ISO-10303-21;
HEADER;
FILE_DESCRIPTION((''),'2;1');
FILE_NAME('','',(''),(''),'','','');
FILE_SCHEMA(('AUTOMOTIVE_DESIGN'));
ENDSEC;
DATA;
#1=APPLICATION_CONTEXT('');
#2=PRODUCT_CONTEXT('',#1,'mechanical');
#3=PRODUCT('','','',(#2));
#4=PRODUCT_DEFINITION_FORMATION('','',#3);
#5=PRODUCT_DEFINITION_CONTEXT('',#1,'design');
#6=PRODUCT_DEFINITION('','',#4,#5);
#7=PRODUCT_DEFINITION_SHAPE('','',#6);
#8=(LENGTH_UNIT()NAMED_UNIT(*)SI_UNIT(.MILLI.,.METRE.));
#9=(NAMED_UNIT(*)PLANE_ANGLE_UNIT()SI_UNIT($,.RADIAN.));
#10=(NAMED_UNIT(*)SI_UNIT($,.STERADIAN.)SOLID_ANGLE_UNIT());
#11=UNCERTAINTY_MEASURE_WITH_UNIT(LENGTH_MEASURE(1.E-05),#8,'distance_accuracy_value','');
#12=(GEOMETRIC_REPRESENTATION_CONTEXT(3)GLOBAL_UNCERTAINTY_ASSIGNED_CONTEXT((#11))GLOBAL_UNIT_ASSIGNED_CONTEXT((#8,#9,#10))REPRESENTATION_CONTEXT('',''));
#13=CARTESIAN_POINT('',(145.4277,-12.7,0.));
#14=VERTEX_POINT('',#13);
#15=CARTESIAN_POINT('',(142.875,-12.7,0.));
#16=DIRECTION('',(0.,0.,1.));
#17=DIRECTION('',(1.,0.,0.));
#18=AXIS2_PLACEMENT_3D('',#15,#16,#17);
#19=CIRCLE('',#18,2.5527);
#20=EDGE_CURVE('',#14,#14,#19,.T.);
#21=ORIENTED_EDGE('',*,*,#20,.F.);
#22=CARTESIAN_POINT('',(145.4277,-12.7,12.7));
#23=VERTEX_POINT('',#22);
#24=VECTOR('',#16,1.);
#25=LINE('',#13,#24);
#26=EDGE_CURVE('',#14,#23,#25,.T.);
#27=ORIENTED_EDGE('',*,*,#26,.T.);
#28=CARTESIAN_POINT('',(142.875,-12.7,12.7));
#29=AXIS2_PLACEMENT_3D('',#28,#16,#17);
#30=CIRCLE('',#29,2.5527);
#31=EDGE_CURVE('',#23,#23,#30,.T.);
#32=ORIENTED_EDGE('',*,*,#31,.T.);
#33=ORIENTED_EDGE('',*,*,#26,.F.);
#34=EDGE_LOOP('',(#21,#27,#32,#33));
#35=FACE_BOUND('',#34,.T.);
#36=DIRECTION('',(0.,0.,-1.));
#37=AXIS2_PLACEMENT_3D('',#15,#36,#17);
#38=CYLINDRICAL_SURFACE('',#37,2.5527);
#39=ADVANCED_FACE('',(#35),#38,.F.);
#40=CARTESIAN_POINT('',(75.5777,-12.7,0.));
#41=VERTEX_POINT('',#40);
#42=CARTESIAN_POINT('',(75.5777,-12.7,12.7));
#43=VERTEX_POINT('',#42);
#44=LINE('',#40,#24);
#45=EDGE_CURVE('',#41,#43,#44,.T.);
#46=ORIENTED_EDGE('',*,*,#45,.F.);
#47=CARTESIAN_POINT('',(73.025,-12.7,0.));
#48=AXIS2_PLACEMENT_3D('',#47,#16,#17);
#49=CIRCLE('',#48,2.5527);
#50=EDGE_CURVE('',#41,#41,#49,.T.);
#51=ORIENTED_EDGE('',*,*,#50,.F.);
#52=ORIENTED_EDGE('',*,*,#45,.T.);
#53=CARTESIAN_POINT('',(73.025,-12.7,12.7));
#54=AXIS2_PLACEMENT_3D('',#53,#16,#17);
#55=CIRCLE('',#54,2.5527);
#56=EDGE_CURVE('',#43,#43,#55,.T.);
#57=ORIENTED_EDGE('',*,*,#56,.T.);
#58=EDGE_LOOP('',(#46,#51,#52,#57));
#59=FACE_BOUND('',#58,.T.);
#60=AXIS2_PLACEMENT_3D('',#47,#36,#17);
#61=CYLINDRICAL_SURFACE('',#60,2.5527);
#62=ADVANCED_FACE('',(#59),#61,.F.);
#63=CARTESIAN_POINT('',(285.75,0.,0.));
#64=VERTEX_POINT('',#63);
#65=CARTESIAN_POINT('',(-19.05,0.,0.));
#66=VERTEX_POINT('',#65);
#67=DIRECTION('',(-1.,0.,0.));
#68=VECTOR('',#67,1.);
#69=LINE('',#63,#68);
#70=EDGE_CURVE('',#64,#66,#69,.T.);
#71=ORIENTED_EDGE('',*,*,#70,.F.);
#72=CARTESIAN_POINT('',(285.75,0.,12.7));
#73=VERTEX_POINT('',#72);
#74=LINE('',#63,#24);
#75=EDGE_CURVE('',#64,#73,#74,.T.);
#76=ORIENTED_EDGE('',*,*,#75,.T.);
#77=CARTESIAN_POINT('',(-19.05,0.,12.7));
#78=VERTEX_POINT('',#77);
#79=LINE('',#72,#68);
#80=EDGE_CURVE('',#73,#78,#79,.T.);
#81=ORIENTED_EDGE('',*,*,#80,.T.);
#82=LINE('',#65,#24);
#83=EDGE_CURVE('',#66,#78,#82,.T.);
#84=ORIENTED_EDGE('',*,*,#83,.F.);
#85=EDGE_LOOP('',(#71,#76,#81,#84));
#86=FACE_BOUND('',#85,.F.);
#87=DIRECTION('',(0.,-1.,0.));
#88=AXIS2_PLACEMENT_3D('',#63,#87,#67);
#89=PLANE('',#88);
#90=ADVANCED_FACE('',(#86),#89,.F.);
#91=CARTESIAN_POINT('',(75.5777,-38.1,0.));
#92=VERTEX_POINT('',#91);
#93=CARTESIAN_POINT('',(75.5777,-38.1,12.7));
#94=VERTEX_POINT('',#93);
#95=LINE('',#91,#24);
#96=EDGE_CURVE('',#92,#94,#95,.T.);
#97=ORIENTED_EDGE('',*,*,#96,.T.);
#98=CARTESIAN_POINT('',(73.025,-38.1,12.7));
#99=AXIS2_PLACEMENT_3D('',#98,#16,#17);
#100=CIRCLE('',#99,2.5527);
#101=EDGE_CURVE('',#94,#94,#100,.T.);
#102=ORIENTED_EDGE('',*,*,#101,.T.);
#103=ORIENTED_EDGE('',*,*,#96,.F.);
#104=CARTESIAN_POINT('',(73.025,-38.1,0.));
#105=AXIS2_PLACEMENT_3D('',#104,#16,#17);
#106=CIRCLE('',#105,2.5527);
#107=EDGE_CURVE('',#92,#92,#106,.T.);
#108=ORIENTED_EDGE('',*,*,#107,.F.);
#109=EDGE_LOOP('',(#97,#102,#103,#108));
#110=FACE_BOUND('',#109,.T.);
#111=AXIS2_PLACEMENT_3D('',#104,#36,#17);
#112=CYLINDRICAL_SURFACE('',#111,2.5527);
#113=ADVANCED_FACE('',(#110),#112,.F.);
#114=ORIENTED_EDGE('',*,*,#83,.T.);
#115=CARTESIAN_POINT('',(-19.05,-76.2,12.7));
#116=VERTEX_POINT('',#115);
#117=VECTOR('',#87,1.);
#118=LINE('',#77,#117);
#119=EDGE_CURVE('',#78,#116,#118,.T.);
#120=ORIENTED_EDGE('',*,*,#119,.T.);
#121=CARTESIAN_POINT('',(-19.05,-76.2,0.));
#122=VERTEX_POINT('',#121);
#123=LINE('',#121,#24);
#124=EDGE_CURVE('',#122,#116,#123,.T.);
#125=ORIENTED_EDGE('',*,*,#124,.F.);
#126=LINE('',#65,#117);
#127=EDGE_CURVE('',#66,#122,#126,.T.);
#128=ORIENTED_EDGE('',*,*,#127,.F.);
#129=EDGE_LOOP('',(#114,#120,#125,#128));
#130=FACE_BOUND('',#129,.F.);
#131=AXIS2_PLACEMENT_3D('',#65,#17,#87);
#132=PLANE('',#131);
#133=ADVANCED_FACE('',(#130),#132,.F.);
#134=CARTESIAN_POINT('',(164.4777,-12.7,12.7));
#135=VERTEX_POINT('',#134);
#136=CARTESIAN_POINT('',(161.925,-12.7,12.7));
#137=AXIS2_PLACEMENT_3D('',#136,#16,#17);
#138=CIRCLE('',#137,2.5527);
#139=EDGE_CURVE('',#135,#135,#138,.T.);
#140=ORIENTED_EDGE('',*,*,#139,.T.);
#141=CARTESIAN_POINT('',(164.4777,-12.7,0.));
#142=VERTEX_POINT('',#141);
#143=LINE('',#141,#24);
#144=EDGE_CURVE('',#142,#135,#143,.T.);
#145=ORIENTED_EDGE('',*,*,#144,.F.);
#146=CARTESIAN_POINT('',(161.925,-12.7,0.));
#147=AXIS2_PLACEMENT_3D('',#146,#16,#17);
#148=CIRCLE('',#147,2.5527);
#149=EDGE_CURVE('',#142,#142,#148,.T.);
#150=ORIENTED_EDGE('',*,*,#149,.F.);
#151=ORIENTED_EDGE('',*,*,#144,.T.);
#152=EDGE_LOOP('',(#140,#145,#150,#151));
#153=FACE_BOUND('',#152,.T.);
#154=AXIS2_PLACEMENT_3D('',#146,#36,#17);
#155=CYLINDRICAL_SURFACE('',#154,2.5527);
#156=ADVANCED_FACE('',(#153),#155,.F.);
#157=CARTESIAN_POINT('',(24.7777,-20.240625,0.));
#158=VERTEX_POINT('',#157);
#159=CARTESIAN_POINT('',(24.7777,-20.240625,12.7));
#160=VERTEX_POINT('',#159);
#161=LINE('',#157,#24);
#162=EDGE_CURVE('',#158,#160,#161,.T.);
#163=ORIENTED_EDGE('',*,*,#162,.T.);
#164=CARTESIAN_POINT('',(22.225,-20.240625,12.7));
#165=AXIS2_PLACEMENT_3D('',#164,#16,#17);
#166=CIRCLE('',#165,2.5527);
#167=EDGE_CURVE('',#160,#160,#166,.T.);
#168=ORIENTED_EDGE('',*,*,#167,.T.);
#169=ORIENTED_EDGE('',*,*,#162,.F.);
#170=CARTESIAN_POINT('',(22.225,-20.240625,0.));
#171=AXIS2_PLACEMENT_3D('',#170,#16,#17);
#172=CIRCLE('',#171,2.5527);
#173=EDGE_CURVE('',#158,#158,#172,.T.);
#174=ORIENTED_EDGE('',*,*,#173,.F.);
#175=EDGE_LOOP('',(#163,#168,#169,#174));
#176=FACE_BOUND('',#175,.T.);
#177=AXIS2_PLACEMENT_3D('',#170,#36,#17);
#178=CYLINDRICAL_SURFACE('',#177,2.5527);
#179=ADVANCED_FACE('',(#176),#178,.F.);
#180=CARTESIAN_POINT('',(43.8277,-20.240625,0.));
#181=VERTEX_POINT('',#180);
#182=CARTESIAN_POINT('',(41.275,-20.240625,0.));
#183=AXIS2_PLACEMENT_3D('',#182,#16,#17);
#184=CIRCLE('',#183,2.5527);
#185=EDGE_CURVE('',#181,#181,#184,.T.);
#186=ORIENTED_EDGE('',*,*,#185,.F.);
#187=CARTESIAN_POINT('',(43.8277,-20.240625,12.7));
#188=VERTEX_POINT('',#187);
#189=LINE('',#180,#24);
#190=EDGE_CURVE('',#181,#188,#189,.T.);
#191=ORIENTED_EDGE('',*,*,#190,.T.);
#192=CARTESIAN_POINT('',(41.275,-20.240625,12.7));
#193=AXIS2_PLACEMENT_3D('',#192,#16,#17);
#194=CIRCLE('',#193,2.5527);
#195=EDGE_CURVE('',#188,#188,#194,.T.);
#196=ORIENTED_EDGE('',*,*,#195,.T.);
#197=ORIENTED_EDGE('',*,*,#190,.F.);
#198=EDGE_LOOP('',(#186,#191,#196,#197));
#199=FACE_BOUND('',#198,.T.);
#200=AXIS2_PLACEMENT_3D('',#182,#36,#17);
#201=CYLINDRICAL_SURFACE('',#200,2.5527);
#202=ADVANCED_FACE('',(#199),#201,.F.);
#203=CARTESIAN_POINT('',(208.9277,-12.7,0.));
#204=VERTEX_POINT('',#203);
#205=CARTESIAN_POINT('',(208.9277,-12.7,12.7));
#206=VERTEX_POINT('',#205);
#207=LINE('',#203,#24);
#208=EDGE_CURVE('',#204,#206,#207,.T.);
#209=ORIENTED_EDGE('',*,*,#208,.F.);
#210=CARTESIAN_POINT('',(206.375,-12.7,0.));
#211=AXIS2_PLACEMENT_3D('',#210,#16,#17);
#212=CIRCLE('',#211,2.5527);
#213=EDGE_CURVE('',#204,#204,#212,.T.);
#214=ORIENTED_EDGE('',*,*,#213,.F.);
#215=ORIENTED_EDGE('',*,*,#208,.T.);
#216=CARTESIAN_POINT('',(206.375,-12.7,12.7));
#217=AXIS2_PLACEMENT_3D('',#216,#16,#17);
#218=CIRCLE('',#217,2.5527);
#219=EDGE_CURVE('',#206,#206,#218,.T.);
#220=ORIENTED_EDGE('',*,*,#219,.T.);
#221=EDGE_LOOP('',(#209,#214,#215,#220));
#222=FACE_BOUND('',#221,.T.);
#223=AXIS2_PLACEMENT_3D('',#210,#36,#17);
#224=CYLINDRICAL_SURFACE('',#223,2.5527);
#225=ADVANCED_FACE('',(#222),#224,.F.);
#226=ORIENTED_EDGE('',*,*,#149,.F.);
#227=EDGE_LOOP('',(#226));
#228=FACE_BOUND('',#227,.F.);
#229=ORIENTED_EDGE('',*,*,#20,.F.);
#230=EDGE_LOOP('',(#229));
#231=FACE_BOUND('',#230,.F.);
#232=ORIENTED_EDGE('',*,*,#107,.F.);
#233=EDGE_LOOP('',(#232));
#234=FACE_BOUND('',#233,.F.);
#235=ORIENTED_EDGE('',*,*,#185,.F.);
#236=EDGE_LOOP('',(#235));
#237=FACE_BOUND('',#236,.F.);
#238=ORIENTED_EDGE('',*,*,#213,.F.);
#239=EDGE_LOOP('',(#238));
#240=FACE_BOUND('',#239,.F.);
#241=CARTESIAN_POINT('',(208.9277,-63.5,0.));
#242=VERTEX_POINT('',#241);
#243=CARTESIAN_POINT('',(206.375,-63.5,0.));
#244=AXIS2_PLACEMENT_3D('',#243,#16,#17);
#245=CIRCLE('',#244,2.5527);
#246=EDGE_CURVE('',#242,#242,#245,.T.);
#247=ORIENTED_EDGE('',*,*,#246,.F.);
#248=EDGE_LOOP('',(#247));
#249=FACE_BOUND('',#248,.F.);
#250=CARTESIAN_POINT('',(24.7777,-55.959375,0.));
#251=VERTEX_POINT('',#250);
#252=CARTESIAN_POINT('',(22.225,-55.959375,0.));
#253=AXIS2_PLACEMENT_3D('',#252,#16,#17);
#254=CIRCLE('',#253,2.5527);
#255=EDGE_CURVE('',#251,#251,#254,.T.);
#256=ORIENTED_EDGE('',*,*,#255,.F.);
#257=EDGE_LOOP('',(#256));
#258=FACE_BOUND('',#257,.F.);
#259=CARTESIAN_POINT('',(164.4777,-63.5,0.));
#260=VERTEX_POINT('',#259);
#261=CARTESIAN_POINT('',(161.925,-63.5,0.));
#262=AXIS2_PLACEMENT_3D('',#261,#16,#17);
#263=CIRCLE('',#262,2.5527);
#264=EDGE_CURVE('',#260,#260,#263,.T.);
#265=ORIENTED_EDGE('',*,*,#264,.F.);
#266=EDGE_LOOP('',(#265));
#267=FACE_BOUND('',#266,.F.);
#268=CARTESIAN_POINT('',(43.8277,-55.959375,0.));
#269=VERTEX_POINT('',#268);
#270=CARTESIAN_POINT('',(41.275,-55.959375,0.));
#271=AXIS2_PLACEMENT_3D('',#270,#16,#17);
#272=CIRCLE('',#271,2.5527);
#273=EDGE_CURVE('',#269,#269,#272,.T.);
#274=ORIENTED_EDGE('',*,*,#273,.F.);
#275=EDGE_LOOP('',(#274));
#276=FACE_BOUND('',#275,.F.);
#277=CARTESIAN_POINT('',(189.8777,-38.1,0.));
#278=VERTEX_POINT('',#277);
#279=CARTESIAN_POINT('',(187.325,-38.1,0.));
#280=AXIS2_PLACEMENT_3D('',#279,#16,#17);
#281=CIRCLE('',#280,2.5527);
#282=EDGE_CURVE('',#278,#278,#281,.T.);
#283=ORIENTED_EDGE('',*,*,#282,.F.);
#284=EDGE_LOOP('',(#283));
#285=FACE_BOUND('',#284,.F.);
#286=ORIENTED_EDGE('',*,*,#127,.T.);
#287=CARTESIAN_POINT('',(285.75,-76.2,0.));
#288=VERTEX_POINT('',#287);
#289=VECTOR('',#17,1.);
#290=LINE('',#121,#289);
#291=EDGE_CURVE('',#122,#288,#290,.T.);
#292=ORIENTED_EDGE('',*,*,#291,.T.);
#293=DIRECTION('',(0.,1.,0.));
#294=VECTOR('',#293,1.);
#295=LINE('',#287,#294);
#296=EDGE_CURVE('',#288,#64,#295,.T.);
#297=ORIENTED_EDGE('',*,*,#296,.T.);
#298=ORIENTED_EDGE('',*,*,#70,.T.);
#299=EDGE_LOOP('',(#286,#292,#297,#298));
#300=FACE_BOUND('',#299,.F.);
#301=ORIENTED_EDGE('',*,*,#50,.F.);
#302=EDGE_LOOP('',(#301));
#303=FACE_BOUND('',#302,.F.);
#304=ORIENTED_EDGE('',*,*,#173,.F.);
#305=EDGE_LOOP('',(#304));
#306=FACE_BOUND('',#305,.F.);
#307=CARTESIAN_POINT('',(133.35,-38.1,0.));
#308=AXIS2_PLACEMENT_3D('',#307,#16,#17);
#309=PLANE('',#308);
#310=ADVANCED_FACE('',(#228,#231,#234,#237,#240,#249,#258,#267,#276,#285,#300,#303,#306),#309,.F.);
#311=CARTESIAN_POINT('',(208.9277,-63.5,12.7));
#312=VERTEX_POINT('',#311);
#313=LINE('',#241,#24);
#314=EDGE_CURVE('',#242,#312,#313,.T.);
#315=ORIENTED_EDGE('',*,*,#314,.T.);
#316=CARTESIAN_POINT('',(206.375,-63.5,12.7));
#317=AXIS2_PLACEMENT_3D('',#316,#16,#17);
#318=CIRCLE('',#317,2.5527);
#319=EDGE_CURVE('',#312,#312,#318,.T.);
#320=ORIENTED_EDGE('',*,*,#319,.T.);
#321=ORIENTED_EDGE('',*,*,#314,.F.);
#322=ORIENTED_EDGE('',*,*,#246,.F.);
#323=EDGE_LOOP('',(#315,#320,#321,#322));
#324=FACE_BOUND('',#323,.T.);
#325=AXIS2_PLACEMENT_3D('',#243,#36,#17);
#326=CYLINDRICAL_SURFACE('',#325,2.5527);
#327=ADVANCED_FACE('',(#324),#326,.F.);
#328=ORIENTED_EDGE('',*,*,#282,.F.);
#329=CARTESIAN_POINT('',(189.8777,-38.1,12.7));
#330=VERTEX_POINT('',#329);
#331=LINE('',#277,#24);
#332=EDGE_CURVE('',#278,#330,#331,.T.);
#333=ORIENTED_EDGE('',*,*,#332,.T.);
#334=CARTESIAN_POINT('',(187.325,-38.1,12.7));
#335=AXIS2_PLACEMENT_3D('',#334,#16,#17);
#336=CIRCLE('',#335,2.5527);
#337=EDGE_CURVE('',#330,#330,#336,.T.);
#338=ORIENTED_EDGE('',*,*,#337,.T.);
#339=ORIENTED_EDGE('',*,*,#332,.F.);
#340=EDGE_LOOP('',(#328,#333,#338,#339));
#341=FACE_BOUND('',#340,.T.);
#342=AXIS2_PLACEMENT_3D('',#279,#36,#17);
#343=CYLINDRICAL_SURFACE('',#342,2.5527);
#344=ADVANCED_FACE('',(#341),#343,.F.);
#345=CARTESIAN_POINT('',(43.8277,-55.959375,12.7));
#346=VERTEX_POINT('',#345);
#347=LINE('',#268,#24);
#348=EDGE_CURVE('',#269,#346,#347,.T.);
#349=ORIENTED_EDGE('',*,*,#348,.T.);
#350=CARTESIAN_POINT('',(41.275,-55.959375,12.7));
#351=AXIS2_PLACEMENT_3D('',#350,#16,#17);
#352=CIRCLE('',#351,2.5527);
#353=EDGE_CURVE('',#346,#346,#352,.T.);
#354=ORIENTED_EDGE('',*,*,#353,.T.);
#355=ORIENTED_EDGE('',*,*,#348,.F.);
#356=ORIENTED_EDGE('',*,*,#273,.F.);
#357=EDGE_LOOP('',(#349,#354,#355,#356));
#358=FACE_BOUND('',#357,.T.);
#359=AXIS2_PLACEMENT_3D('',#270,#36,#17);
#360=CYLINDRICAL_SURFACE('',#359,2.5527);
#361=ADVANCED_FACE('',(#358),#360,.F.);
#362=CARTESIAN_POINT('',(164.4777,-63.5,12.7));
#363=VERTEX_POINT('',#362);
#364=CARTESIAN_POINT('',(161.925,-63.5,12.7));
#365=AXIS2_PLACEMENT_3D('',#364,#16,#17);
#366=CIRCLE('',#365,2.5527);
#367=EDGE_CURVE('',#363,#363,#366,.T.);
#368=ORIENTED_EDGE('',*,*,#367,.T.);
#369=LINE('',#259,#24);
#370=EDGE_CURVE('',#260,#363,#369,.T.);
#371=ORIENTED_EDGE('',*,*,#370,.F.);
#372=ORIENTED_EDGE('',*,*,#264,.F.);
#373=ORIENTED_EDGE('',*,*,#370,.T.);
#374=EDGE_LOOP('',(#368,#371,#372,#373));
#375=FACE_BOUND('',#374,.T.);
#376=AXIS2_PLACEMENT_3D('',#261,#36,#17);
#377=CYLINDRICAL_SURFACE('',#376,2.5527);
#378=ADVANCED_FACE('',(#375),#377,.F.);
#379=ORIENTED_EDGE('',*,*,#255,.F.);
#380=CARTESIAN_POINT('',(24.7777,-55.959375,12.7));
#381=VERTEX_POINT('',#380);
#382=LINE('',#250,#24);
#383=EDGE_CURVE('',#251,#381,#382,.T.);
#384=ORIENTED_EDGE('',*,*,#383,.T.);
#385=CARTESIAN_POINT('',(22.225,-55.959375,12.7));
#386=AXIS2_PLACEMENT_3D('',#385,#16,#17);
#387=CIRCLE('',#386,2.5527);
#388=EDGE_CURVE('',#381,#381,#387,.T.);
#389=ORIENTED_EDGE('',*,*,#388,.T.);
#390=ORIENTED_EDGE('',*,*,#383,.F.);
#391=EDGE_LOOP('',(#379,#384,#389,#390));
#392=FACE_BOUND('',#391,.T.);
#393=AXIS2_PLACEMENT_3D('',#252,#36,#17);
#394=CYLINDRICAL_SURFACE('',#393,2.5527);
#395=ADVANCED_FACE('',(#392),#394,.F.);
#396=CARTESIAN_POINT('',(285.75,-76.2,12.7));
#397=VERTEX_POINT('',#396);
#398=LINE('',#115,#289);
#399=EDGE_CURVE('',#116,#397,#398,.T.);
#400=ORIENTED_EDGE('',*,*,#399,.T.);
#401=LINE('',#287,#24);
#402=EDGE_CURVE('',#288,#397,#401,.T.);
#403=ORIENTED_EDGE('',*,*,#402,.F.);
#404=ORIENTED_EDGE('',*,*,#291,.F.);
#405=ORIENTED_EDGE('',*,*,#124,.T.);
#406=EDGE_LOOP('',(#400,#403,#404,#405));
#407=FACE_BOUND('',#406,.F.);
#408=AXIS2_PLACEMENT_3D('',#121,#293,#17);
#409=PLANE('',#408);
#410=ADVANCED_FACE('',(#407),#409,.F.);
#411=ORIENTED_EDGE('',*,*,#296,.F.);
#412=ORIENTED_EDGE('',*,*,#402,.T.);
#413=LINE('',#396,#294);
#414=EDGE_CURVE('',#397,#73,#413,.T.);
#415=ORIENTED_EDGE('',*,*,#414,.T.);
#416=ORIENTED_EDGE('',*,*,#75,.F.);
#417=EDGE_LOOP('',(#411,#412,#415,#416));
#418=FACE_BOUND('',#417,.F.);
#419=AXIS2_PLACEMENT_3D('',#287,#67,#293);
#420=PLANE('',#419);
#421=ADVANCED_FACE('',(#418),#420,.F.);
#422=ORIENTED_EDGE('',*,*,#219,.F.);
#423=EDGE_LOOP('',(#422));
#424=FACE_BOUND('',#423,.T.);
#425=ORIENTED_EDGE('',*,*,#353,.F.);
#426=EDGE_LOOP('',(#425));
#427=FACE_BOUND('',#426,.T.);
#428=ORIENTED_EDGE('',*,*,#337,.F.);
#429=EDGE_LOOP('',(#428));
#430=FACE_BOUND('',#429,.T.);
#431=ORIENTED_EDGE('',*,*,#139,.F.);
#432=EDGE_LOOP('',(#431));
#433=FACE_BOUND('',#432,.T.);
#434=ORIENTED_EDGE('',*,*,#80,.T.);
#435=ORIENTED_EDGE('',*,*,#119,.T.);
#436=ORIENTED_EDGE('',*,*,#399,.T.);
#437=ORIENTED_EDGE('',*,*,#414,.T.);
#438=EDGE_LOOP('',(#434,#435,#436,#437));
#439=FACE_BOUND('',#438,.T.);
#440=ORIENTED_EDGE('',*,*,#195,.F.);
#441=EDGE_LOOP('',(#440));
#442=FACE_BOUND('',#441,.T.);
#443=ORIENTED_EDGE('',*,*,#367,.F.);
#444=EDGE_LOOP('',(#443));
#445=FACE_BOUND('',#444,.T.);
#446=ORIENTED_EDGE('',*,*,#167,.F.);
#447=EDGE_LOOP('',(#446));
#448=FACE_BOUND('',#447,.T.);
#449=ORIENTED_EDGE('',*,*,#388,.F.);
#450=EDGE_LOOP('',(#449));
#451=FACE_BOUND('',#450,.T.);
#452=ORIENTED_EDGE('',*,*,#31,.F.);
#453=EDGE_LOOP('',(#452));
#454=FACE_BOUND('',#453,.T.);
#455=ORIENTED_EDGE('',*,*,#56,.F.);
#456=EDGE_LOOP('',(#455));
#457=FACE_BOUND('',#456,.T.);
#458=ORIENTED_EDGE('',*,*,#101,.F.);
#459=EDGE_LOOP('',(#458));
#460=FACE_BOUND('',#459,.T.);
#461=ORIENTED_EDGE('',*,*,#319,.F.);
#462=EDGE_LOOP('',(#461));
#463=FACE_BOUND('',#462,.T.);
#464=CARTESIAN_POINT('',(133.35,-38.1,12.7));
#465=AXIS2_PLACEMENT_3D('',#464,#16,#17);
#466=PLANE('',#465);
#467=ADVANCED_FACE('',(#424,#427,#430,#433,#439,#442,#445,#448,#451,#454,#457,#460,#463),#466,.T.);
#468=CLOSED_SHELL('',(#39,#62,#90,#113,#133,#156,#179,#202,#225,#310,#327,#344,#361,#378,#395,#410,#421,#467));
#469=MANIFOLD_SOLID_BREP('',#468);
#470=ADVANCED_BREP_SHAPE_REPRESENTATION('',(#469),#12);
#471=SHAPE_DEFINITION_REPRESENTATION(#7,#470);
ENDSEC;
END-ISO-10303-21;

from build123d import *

# Parameters (mm, degrees)
F0_R     = 2.5527
F1_DEPTH = 12.7


with BuildPart() as f1:
    # F0 (on Top) → F1 (new body)
    with BuildSketch(Plane.XY):
        Polygon((285.75, 0), (0, 0), (-19.05, 0), (-19.05, -76.2), (44.45, -76.2), (285.75, -76.2), align=None)
        with Locations((22.225, -55.959375)):
            Circle(F0_R, mode=Mode.SUBTRACT)
        with Locations((41.275, -55.959375)):
            Circle(F0_R, mode=Mode.SUBTRACT)
        with Locations((161.925, -63.5)):
            Circle(F0_R, mode=Mode.SUBTRACT)
        with Locations((206.375, -63.5)):
            Circle(F0_R, mode=Mode.SUBTRACT)
        with Locations((22.225, -20.240625)):
            Circle(F0_R, mode=Mode.SUBTRACT)
        with Locations((41.275, -20.240625)):
            Circle(F0_R, mode=Mode.SUBTRACT)
        with Locations((73.025, -38.1)):
            Circle(F0_R, mode=Mode.SUBTRACT)
        with Locations((73.025, -12.7)):
            Circle(F0_R, mode=Mode.SUBTRACT)
        with Locations((187.325, -38.1)):
            Circle(F0_R, mode=Mode.SUBTRACT)
        with Locations((142.875, -12.7)):
            Circle(F0_R, mode=Mode.SUBTRACT)
        with Locations((161.925, -12.7)):
            Circle(F0_R, mode=Mode.SUBTRACT)
        with Locations((206.375, -12.7)):
            Circle(F0_R, mode=Mode.SUBTRACT)
    extrude(amount=F1_DEPTH)


solid = f1.part
